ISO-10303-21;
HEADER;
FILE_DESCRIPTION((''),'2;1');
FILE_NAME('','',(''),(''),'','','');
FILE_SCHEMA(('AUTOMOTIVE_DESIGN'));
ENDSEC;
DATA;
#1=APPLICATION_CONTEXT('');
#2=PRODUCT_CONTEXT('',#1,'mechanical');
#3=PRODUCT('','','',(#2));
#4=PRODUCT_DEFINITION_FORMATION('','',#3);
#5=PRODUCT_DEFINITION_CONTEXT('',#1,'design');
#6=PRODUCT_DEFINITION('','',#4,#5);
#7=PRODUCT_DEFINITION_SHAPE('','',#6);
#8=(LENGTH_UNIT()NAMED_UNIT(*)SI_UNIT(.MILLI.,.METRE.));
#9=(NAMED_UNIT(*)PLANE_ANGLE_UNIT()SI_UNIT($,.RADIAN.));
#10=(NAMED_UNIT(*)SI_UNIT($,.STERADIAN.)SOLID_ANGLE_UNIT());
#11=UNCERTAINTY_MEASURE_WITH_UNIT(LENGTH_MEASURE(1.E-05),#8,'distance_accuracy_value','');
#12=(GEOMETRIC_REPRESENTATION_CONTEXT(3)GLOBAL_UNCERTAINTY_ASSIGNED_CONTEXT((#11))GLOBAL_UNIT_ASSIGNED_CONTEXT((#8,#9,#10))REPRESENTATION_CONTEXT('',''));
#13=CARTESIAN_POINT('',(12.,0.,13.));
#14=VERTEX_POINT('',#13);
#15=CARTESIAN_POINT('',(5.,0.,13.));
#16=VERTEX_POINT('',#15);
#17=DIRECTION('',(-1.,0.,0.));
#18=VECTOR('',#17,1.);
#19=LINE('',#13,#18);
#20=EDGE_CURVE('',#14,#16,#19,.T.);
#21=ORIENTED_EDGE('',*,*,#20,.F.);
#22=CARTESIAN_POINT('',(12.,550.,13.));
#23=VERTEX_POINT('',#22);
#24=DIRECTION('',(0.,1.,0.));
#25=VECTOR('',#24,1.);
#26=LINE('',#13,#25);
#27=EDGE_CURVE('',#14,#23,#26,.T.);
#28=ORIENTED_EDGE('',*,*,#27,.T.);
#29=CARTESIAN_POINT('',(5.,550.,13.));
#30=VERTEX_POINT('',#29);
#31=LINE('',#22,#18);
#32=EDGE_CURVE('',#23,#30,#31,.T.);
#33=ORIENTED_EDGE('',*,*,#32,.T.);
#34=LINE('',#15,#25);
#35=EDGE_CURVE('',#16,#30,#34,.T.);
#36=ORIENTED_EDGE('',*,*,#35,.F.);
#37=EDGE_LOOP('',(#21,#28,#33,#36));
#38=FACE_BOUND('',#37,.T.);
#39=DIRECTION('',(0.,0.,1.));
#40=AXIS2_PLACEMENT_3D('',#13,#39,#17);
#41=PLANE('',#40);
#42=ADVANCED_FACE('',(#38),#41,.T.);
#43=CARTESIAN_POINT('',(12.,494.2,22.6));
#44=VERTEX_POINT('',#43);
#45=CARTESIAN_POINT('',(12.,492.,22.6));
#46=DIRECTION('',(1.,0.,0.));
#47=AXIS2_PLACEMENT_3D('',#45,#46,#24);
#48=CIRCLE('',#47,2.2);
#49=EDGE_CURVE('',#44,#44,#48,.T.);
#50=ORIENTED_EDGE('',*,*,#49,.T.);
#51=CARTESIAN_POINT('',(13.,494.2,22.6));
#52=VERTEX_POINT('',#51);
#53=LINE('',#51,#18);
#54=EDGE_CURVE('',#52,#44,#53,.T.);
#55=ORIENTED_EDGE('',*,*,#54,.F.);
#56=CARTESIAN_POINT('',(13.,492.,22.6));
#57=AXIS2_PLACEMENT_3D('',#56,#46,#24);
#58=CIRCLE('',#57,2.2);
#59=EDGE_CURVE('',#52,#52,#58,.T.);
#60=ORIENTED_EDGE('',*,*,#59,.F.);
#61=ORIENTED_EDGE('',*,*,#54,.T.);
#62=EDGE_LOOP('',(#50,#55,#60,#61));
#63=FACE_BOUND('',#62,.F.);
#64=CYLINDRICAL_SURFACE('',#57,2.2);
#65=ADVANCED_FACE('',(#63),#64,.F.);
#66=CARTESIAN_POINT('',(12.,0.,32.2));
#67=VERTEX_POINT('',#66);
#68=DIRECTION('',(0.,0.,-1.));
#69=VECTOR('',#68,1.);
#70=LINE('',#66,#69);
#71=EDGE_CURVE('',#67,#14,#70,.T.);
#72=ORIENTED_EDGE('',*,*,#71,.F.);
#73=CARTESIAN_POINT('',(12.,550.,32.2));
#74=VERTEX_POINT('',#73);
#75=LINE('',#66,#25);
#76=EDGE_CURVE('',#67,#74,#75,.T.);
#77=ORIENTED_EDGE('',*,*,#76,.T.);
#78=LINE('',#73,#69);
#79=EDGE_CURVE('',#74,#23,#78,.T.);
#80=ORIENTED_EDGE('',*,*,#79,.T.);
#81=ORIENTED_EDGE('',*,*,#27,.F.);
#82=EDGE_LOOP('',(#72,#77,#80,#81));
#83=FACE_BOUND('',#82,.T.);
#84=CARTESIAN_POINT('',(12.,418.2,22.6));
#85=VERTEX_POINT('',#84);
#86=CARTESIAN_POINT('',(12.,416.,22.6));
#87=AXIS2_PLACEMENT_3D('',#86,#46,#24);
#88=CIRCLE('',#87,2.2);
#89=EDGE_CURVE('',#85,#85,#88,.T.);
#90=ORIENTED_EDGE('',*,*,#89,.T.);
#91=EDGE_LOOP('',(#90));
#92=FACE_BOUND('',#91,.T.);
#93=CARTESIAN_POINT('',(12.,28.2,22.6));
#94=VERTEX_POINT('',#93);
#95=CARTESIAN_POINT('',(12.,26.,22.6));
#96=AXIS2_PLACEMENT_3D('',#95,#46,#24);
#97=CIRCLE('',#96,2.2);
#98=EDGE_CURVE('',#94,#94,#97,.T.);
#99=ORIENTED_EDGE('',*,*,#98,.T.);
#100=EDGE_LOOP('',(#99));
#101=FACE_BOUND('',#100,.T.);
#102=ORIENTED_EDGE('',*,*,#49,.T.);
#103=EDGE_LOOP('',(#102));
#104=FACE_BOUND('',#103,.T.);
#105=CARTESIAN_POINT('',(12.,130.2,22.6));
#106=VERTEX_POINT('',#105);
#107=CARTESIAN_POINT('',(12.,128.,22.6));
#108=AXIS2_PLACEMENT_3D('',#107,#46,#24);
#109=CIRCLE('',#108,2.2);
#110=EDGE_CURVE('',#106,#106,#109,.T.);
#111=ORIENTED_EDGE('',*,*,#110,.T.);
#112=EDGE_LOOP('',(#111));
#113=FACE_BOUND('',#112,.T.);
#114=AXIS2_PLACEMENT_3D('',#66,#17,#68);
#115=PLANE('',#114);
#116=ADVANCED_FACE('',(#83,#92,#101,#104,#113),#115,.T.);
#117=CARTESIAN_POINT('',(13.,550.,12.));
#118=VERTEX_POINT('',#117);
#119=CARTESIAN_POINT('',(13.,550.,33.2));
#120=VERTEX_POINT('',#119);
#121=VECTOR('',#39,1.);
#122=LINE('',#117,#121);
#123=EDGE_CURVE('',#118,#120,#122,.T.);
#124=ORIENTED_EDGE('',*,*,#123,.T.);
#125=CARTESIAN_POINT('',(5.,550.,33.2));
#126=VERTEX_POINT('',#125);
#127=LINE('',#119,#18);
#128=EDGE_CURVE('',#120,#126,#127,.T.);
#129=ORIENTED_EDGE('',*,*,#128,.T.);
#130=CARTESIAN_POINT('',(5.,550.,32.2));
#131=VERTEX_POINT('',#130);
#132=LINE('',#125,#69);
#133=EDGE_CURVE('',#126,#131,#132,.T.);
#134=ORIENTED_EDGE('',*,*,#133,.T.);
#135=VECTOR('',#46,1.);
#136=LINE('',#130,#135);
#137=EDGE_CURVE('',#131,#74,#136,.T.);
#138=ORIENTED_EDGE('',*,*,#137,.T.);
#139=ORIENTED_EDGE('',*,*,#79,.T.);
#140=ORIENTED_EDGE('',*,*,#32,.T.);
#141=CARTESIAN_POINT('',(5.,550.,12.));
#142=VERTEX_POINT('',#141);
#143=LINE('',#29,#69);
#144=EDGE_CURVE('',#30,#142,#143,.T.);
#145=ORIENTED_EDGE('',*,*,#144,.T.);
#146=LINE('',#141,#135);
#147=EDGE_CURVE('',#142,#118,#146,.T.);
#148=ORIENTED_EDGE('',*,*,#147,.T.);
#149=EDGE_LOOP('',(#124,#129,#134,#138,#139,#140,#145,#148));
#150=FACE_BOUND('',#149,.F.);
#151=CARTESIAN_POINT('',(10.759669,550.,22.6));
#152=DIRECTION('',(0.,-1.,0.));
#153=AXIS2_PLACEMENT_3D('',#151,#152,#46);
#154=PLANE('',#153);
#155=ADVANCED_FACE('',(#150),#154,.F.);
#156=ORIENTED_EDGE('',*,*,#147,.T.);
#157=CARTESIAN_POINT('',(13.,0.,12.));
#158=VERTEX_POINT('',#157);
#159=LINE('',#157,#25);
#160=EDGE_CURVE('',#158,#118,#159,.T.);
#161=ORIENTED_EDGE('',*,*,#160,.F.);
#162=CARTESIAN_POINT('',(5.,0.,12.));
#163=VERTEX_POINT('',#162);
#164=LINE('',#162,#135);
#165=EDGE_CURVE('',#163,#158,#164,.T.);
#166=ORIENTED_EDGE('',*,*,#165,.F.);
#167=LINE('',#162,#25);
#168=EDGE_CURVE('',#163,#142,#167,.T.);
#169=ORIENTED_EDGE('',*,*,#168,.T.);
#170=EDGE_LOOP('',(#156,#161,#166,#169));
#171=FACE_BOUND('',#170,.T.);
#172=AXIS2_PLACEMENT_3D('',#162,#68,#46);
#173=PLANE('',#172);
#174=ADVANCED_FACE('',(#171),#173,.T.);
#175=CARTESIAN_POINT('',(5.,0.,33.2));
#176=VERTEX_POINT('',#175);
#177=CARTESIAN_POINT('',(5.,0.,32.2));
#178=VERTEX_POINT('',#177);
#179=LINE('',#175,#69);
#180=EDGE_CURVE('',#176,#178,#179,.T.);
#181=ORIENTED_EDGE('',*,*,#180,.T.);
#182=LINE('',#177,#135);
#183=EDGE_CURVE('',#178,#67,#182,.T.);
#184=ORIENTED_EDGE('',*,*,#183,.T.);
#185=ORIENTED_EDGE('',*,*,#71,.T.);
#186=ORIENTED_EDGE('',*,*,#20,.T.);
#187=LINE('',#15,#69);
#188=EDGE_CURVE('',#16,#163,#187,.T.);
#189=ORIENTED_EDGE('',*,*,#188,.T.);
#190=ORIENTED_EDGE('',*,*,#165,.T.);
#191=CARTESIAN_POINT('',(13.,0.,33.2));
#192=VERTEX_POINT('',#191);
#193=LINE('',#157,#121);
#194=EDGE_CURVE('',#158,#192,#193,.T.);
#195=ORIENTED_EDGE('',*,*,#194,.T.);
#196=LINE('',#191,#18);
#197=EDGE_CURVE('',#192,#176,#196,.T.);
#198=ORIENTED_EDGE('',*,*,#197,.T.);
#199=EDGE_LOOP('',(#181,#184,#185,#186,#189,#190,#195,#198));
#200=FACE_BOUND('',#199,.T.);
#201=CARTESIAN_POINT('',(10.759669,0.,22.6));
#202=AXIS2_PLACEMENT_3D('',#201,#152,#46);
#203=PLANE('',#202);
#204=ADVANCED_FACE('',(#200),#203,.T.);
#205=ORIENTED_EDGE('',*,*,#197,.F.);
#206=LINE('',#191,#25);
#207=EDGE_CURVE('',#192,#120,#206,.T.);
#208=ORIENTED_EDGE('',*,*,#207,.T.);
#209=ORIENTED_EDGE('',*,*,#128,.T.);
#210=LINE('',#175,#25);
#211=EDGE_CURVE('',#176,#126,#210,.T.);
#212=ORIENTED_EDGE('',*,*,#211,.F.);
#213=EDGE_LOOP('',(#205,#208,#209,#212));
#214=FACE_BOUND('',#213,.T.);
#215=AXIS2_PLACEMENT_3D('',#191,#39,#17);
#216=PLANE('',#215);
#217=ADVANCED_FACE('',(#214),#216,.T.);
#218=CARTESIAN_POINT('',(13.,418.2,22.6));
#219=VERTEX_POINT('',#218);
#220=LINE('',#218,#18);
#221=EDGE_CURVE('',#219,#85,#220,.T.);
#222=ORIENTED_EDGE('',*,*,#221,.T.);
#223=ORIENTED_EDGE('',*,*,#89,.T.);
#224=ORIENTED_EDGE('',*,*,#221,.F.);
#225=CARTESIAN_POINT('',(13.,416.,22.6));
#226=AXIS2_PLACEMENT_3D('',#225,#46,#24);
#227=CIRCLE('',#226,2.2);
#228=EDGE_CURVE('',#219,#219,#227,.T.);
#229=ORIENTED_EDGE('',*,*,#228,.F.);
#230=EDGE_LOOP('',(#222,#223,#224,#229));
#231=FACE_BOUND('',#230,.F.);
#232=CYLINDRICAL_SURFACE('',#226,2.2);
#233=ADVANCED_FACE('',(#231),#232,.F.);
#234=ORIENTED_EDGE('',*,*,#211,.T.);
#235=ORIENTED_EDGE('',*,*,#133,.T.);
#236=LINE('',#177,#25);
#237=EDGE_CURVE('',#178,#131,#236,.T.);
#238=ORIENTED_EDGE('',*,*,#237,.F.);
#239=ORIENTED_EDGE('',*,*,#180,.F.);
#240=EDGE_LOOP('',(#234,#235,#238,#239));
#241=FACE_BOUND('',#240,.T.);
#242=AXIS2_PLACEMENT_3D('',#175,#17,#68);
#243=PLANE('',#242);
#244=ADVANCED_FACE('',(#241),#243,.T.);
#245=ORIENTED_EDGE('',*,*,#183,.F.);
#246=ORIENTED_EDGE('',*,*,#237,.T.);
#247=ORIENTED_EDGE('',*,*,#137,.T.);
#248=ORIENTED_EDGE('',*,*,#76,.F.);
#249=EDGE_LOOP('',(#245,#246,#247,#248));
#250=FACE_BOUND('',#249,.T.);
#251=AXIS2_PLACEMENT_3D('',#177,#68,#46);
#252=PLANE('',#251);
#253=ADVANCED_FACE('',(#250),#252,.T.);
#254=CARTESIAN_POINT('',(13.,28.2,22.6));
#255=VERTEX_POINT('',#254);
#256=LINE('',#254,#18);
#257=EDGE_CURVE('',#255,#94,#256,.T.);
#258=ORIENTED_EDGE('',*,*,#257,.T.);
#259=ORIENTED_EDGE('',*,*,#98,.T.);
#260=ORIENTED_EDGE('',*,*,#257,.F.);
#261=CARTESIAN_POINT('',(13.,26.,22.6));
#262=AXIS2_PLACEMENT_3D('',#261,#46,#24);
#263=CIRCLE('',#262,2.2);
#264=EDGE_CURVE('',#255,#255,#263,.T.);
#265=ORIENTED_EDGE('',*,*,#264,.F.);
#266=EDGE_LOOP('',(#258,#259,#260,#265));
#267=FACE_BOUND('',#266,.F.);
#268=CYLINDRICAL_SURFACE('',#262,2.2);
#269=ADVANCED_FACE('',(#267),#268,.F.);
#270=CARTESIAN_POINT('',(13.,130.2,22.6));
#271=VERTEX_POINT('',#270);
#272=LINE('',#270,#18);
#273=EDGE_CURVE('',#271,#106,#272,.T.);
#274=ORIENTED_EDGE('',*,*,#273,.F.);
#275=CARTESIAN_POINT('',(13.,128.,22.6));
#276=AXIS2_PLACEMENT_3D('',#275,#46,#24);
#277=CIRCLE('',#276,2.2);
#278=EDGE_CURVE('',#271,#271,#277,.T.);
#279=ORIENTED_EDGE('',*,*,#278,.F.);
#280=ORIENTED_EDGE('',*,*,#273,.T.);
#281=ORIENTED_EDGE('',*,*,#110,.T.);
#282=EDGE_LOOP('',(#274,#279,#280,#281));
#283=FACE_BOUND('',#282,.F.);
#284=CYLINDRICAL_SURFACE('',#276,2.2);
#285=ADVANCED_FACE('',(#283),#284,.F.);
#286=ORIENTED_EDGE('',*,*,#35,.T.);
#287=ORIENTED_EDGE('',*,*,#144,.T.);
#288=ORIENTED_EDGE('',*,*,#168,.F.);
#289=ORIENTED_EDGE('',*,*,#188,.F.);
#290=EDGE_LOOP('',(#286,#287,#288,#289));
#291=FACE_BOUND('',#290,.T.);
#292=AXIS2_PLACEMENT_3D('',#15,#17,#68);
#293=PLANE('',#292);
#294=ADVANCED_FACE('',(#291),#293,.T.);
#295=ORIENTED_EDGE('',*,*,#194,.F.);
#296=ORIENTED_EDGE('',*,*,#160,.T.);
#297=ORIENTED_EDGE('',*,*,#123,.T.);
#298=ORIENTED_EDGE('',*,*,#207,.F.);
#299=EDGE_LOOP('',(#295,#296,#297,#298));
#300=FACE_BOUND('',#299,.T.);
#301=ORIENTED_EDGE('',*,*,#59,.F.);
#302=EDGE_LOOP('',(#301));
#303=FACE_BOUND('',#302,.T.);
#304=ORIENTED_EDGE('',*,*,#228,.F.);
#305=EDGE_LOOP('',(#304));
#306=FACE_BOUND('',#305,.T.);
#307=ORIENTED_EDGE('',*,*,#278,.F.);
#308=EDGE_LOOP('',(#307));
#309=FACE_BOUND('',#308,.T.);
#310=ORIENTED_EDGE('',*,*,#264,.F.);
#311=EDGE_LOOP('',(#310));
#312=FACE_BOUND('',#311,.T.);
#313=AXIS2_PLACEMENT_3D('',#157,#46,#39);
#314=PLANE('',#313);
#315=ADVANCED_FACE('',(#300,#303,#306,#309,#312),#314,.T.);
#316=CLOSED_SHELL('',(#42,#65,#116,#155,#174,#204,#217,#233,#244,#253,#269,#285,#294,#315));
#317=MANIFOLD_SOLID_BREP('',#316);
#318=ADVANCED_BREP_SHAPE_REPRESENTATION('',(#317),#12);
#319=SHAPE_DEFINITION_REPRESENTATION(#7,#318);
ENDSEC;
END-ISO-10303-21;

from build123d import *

# Parameters (mm, degrees)
F1_DEPTH = 550
F2_R     = 2.2
F3_DEPTH = 1


with BuildPart() as f1:
    # F0 (on Front) → F1 (new body)
    with BuildSketch(Plane.XZ):
        Polygon((5, 13), (5, 12), (13, 12), (13, 33.2), (5, 33.2), (5, 32.2), (6, 32.2), (12, 32.2), (12, 13), (6, 13), align=None)
    extrude(amount=-F1_DEPTH)

    # F2 (on face) → F3 (cut)
    with BuildSketch(Plane.YZ.offset(13)):
        with Locations((26, 22.6)):
            Circle(F2_R)
        with Locations((128, 22.6)):
            Circle(F2_R)
        with Locations((416, 22.6)):
            Circle(F2_R)
        with Locations((492, 22.6)):
            Circle(F2_R)
    extrude(amount=-F3_DEPTH, mode=Mode.SUBTRACT)


solid = f1.part
